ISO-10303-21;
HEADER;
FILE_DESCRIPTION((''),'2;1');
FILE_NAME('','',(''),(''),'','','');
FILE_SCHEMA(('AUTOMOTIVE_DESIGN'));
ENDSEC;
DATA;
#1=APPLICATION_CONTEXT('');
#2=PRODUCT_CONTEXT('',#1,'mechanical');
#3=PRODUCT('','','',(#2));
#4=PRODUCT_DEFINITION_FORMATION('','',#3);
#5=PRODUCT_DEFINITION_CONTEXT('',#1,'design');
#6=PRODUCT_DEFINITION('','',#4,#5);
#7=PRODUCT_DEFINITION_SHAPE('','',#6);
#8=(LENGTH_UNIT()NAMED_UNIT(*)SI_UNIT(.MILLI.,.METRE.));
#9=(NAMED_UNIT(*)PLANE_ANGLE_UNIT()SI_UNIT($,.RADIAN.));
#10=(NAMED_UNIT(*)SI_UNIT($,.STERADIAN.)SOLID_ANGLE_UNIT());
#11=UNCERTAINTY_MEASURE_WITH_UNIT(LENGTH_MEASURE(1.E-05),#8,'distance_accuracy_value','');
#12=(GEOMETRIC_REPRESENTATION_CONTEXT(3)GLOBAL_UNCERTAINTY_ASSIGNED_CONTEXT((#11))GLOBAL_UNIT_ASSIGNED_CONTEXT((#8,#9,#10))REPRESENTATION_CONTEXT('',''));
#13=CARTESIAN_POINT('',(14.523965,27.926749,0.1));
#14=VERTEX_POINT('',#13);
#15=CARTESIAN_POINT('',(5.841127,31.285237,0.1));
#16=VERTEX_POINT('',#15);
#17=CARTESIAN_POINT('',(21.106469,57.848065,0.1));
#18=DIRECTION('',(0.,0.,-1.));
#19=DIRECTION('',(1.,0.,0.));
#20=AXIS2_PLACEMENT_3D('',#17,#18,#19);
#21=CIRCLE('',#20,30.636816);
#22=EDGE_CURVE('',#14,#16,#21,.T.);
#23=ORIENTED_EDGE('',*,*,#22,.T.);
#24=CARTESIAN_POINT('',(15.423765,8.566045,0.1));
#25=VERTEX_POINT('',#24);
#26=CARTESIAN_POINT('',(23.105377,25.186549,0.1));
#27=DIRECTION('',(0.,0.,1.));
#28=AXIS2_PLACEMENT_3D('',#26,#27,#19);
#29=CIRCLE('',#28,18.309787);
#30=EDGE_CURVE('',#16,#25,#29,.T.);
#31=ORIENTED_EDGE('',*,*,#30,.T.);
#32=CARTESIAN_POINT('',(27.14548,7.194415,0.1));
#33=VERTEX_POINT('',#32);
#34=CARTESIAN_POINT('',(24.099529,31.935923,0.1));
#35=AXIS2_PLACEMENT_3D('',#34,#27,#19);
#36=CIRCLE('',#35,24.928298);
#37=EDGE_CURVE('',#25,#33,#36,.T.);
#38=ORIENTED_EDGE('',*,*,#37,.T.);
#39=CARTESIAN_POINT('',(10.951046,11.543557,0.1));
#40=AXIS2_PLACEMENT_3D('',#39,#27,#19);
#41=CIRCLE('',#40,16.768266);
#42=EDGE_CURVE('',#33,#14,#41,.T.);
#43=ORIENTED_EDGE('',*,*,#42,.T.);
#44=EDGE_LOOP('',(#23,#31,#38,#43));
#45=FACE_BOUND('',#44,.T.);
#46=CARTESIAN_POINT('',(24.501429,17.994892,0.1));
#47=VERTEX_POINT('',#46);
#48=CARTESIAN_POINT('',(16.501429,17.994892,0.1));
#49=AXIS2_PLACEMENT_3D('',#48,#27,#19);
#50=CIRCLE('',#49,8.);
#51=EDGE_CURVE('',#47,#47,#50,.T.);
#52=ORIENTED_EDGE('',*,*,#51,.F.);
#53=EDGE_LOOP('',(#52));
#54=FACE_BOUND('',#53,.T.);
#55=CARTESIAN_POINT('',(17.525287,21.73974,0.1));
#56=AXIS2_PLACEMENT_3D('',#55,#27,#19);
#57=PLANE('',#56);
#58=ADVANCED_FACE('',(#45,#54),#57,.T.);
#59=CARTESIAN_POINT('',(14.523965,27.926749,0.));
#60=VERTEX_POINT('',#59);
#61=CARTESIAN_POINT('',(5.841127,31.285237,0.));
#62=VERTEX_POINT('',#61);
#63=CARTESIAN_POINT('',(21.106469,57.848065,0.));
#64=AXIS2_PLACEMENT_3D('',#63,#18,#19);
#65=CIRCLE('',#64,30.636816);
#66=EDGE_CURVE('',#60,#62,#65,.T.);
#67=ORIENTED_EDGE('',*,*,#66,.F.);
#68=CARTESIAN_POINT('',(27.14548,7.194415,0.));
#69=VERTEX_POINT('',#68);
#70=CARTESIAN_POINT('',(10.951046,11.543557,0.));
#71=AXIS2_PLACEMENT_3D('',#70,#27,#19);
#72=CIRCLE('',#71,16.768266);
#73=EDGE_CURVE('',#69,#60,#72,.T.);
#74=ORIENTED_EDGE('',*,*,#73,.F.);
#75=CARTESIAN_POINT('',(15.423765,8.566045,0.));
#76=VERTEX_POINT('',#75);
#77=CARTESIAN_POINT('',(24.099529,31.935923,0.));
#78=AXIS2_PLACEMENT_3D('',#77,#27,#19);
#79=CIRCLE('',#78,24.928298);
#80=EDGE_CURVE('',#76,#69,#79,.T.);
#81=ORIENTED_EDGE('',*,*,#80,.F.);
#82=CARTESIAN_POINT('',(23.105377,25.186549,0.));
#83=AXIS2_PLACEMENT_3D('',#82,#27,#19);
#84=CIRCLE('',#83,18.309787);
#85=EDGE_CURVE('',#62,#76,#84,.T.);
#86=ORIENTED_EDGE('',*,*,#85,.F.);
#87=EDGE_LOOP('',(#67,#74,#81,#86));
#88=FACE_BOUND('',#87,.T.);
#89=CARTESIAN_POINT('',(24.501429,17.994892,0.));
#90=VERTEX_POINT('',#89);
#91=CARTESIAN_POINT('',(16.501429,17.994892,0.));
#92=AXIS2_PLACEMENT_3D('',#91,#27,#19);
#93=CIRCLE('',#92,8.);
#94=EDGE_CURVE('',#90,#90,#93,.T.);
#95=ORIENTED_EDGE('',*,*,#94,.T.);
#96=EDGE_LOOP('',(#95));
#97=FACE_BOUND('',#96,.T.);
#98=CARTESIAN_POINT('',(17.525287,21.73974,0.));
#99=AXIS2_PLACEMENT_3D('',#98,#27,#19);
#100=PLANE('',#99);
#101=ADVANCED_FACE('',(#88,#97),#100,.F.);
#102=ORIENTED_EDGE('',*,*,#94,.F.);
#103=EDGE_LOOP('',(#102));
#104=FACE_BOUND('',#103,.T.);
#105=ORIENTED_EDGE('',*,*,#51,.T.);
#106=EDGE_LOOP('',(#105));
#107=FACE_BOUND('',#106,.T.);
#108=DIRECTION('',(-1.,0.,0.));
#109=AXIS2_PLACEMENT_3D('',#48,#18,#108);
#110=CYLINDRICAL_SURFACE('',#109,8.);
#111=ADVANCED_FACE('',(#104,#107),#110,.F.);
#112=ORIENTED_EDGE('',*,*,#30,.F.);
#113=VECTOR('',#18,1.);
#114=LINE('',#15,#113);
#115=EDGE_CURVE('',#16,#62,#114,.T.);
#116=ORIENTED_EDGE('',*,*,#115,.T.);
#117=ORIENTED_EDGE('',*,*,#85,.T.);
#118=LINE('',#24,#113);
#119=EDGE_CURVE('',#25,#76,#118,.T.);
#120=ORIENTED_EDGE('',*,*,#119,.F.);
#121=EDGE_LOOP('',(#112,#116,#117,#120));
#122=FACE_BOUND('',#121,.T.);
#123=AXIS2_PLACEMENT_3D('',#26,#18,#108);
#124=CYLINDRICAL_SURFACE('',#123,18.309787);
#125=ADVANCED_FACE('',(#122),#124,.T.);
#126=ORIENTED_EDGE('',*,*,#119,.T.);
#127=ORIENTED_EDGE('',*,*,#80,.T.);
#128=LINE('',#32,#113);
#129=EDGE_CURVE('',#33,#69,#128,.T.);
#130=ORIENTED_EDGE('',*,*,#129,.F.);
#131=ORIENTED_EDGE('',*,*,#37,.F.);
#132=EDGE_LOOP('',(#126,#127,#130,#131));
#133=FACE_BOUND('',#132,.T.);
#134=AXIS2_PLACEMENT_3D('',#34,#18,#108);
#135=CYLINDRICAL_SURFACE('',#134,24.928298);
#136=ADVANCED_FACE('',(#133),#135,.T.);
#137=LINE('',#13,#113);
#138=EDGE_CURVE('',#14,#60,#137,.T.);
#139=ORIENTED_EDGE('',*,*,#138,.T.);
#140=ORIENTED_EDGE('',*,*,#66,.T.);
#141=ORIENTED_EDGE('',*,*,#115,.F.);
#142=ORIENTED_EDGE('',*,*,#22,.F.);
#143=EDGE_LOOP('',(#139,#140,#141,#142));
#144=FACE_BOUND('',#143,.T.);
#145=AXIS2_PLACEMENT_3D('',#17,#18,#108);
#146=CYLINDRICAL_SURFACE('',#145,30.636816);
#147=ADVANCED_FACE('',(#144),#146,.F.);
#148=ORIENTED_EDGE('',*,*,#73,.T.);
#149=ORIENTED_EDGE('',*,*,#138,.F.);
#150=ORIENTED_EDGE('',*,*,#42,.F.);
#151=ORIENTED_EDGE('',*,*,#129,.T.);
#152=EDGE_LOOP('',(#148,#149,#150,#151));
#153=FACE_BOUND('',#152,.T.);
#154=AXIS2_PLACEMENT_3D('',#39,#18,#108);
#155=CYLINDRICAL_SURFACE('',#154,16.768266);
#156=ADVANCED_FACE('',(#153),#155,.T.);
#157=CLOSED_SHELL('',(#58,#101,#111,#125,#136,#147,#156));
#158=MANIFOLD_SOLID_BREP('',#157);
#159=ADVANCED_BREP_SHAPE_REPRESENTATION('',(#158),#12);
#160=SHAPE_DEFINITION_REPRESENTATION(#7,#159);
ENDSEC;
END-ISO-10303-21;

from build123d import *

# Parameters (mm, degrees)
MODEL_R                 = 8
SALIENTE_EXTRUIR1_DEPTH = 0.1


with BuildPart() as part:
    # Model → Saliente-Extruir1 (new body)
    with BuildSketch(Plane.XY):
        with BuildLine():
            ThreePointArc((27.14548024, 7.194414678), (25.273911912, 20.263089859), (14.523964876, 27.926749411))
            ThreePointArc((14.523964876, 27.926749411), (10.054231622, 29.274256382), (5.841127337, 31.28523691))
            ThreePointArc((5.841127337, 31.28523691), (6.23485784, 18.070799585), (15.423765374, 8.566045203))
            ThreePointArc((15.423765374, 8.566045203), (21.202282113, 7.176560753), (27.14548024, 7.194414678))
        make_face()
        with Locations((16.501428973, 17.994891823)):
            Circle(MODEL_R, mode=Mode.SUBTRACT)
    extrude(amount=SALIENTE_EXTRUIR1_DEPTH)


solid = part.part
